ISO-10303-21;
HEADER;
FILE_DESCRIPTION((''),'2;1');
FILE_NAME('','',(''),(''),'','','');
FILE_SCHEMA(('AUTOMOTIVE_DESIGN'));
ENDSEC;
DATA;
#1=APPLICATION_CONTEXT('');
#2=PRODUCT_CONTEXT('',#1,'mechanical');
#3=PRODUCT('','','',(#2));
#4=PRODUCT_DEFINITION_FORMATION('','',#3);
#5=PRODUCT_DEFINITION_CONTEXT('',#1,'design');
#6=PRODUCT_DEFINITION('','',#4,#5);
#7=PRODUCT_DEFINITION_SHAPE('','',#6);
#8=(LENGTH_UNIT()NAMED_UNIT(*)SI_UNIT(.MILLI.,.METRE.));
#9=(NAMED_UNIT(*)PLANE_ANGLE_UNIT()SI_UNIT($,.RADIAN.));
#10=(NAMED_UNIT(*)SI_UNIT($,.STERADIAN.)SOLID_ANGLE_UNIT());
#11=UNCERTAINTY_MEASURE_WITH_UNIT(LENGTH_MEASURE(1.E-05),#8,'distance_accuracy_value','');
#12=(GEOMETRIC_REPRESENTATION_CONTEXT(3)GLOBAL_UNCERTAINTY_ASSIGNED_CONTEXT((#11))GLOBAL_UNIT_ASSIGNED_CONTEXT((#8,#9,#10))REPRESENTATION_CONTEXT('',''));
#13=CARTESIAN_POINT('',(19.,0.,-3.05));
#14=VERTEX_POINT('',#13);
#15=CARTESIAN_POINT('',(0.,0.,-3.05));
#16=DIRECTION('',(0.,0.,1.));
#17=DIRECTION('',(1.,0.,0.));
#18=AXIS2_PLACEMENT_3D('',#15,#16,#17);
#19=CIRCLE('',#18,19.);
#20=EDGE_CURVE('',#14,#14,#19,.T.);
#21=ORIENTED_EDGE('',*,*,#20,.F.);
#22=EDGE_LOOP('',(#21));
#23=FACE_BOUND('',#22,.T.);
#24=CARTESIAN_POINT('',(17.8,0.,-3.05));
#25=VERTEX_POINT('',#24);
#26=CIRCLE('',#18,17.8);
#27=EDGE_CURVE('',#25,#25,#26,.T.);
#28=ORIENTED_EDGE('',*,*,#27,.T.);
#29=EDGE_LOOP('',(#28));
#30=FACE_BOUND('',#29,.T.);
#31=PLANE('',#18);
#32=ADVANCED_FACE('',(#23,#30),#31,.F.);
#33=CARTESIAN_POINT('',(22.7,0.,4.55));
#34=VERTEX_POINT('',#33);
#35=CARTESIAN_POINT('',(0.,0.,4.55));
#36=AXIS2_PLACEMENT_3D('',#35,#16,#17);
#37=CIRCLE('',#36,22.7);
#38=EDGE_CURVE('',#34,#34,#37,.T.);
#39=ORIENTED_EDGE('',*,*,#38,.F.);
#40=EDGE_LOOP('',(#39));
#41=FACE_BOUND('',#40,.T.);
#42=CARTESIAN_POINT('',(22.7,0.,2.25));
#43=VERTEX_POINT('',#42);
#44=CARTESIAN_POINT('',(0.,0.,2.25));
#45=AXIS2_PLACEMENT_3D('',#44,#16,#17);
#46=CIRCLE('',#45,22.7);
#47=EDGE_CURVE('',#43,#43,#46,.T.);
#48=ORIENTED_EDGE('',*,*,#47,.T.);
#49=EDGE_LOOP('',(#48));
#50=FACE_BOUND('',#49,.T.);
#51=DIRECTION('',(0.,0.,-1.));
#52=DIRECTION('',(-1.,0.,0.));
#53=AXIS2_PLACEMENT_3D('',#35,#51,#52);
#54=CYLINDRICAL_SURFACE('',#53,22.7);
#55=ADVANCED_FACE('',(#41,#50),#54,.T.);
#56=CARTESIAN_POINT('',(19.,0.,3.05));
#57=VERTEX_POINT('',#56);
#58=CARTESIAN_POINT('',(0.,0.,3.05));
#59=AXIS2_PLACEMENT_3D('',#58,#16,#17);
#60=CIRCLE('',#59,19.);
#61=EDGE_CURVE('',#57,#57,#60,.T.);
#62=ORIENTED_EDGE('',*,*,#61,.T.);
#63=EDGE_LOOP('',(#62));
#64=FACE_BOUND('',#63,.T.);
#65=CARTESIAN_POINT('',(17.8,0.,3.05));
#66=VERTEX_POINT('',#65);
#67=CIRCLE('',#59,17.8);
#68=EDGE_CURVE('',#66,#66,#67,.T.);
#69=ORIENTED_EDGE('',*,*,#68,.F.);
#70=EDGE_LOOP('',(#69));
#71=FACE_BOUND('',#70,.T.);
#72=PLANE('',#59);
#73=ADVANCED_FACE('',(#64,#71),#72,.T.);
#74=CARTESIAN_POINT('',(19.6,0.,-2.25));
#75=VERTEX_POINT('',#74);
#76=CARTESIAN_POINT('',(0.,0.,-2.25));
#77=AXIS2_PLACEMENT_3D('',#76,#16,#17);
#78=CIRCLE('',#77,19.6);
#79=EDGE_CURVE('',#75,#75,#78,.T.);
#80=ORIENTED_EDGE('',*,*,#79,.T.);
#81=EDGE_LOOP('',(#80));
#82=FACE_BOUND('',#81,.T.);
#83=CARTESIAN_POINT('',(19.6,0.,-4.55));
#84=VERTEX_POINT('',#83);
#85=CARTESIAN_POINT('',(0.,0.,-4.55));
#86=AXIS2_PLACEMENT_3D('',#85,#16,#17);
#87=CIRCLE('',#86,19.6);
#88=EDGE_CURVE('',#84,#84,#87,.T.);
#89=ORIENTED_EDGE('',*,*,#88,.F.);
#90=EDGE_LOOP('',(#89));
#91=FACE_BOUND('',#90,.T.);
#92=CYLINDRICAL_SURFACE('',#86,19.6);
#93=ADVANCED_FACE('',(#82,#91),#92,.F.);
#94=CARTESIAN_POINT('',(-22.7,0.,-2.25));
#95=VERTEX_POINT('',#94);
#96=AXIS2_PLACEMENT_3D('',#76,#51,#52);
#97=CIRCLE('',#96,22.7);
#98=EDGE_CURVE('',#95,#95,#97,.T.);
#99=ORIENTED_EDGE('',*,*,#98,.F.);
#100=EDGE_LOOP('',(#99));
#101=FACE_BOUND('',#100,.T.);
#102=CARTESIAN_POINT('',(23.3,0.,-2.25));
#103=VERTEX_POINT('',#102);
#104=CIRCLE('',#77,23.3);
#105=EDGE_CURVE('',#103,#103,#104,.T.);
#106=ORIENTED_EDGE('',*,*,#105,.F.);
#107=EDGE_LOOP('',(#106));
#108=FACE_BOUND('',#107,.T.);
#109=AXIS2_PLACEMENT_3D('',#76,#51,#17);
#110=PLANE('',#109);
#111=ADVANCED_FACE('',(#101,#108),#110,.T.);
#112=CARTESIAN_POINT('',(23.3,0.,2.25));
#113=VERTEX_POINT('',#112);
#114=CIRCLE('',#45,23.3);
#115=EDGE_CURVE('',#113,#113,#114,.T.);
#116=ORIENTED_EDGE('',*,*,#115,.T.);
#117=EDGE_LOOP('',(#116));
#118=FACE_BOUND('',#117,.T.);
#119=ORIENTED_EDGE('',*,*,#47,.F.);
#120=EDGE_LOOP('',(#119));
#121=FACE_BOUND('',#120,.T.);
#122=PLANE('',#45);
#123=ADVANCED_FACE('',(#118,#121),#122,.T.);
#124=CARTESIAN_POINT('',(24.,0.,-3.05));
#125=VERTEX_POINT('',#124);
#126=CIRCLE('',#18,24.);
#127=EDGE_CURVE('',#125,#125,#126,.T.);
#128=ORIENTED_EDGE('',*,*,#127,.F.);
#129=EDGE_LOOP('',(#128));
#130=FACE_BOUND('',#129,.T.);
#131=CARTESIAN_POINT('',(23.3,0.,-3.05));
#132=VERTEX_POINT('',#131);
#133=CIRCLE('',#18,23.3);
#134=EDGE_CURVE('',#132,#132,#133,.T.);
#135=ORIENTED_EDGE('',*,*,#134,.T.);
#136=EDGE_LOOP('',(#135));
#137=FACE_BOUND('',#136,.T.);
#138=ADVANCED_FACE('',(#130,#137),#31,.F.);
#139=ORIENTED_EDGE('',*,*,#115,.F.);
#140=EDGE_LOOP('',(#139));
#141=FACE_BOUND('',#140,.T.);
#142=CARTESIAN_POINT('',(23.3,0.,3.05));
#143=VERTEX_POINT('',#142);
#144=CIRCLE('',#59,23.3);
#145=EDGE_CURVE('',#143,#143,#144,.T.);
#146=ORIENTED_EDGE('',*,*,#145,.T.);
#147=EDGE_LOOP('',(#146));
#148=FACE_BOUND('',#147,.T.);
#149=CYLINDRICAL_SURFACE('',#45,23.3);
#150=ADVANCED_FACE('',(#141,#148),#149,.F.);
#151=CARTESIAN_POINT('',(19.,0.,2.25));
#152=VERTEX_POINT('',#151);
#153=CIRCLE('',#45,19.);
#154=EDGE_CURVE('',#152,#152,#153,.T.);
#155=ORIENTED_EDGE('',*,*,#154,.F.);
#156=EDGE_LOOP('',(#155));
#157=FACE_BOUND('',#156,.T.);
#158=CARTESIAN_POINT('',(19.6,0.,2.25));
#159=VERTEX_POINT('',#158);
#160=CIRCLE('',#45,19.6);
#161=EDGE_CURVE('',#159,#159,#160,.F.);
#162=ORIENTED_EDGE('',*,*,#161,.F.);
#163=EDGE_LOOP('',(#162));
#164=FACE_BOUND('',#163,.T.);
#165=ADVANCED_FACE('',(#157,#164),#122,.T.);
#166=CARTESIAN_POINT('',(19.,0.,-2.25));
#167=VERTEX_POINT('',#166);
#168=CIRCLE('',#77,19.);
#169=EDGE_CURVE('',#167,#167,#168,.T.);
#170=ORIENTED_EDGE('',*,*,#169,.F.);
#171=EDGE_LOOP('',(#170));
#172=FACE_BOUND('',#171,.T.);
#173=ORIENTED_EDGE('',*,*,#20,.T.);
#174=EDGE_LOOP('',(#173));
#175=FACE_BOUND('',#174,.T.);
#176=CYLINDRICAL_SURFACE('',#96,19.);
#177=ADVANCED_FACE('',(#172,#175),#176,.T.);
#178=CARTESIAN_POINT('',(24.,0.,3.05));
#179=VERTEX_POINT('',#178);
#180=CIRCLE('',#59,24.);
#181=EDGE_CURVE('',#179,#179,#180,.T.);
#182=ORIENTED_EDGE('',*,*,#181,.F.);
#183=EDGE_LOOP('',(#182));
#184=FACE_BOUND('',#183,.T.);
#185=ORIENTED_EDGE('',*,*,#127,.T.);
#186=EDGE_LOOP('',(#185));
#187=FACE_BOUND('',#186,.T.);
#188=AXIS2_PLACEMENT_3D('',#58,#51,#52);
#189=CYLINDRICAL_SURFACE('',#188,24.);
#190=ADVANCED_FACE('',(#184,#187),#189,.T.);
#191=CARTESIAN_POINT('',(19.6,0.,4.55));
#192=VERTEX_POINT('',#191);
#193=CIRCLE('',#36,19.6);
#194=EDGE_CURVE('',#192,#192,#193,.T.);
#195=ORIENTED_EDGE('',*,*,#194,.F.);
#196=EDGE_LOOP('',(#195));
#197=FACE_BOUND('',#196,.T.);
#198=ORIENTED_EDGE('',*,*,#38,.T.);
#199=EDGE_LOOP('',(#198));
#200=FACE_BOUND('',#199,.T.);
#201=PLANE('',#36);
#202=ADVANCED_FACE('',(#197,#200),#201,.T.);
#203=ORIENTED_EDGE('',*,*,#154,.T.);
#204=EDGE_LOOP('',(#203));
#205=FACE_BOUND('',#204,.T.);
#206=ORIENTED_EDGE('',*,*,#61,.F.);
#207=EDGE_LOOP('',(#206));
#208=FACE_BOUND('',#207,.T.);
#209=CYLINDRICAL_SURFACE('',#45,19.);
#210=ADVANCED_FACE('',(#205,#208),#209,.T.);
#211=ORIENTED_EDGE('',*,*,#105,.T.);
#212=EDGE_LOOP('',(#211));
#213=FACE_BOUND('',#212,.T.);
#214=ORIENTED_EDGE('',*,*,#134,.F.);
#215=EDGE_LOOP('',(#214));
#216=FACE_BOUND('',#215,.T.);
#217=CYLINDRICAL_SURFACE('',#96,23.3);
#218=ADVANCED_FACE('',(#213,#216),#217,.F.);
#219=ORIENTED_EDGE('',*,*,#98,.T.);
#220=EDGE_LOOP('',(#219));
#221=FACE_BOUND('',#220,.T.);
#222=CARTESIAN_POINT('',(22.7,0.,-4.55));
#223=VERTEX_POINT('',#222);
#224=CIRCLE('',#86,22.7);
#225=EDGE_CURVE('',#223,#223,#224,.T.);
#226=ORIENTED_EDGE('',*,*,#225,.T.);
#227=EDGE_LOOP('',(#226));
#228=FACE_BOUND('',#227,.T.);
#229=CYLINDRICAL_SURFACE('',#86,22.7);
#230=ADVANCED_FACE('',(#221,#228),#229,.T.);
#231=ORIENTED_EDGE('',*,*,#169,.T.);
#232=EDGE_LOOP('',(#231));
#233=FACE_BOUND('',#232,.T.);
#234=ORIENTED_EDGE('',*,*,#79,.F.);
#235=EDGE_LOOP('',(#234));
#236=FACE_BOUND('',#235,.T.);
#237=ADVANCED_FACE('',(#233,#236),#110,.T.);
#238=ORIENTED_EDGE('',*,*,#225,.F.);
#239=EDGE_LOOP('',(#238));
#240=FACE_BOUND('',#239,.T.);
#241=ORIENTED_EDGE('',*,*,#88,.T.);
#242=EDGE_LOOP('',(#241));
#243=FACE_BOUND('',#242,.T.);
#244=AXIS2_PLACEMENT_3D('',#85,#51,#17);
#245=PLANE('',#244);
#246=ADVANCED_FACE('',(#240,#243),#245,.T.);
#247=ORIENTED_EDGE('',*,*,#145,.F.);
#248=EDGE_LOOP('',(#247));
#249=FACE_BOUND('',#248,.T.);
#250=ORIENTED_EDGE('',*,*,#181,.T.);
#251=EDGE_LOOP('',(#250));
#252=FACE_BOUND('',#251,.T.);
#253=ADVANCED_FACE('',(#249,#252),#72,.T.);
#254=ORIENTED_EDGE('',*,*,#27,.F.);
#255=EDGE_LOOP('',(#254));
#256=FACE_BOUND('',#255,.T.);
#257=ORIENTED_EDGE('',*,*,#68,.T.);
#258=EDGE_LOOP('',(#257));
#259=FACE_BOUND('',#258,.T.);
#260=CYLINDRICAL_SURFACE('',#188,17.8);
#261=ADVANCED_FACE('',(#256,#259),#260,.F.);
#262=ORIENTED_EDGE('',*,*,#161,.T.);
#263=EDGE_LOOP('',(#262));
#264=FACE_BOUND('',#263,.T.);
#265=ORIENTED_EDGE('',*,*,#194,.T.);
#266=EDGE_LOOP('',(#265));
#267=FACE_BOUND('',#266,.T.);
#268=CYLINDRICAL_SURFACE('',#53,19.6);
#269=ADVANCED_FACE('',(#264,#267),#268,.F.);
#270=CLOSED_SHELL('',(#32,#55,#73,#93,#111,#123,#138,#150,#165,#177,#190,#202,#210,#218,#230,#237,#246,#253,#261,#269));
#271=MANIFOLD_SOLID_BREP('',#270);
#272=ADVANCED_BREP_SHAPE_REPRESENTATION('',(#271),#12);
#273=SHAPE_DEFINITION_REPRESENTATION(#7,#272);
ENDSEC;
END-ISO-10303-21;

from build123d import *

# Parameters (mm, degrees)
SKETCH1_R           = 24
SKETCH1_R_2         = 17.8
BOSS_EXTRUDE1_DEPTH = 3.05
SKETCH2_R           = 23.3
SKETCH2_R_2         = 19
CUT_EXTRUDE1_DEPTH  = 0.8
SKETCH3_R           = 22.7
SKETCH3_R_2         = 19.6
BOSS_EXTRUDE2_DEPTH = 2.3


with BuildPart() as part:
    # Sketch1 → Boss-Extrude1 (new, symmetric)
    with BuildSketch(Plane.XY):
        Circle(SKETCH1_R)
        Circle(SKETCH1_R_2, mode=Mode.SUBTRACT)
    extrude(amount=BOSS_EXTRUDE1_DEPTH, both=True)

    # Sketch2 → Cut-Extrude1 (cut)
    with BuildSketch(Plane.XY.offset(3.05)):
        Circle(SKETCH2_R)
        Circle(SKETCH2_R_2, mode=Mode.SUBTRACT)
    cut_extrude1 = extrude(amount=-CUT_EXTRUDE1_DEPTH, mode=Mode.SUBTRACT)

    # Sketch3 → Boss-Extrude2 (add)
    with BuildSketch(Plane.XY.offset(2.25)):
        Circle(SKETCH3_R)
        Circle(SKETCH3_R_2, mode=Mode.SUBTRACT)
    boss_extrude2 = extrude(amount=BOSS_EXTRUDE2_DEPTH)

    # Mirror1: Cut-Extrude1, Boss-Extrude2 across plane
    add(cut_extrude1.mirror(Plane.XY), mode=Mode.SUBTRACT)
    add(boss_extrude2.mirror(Plane.XY))


solid = part.part
